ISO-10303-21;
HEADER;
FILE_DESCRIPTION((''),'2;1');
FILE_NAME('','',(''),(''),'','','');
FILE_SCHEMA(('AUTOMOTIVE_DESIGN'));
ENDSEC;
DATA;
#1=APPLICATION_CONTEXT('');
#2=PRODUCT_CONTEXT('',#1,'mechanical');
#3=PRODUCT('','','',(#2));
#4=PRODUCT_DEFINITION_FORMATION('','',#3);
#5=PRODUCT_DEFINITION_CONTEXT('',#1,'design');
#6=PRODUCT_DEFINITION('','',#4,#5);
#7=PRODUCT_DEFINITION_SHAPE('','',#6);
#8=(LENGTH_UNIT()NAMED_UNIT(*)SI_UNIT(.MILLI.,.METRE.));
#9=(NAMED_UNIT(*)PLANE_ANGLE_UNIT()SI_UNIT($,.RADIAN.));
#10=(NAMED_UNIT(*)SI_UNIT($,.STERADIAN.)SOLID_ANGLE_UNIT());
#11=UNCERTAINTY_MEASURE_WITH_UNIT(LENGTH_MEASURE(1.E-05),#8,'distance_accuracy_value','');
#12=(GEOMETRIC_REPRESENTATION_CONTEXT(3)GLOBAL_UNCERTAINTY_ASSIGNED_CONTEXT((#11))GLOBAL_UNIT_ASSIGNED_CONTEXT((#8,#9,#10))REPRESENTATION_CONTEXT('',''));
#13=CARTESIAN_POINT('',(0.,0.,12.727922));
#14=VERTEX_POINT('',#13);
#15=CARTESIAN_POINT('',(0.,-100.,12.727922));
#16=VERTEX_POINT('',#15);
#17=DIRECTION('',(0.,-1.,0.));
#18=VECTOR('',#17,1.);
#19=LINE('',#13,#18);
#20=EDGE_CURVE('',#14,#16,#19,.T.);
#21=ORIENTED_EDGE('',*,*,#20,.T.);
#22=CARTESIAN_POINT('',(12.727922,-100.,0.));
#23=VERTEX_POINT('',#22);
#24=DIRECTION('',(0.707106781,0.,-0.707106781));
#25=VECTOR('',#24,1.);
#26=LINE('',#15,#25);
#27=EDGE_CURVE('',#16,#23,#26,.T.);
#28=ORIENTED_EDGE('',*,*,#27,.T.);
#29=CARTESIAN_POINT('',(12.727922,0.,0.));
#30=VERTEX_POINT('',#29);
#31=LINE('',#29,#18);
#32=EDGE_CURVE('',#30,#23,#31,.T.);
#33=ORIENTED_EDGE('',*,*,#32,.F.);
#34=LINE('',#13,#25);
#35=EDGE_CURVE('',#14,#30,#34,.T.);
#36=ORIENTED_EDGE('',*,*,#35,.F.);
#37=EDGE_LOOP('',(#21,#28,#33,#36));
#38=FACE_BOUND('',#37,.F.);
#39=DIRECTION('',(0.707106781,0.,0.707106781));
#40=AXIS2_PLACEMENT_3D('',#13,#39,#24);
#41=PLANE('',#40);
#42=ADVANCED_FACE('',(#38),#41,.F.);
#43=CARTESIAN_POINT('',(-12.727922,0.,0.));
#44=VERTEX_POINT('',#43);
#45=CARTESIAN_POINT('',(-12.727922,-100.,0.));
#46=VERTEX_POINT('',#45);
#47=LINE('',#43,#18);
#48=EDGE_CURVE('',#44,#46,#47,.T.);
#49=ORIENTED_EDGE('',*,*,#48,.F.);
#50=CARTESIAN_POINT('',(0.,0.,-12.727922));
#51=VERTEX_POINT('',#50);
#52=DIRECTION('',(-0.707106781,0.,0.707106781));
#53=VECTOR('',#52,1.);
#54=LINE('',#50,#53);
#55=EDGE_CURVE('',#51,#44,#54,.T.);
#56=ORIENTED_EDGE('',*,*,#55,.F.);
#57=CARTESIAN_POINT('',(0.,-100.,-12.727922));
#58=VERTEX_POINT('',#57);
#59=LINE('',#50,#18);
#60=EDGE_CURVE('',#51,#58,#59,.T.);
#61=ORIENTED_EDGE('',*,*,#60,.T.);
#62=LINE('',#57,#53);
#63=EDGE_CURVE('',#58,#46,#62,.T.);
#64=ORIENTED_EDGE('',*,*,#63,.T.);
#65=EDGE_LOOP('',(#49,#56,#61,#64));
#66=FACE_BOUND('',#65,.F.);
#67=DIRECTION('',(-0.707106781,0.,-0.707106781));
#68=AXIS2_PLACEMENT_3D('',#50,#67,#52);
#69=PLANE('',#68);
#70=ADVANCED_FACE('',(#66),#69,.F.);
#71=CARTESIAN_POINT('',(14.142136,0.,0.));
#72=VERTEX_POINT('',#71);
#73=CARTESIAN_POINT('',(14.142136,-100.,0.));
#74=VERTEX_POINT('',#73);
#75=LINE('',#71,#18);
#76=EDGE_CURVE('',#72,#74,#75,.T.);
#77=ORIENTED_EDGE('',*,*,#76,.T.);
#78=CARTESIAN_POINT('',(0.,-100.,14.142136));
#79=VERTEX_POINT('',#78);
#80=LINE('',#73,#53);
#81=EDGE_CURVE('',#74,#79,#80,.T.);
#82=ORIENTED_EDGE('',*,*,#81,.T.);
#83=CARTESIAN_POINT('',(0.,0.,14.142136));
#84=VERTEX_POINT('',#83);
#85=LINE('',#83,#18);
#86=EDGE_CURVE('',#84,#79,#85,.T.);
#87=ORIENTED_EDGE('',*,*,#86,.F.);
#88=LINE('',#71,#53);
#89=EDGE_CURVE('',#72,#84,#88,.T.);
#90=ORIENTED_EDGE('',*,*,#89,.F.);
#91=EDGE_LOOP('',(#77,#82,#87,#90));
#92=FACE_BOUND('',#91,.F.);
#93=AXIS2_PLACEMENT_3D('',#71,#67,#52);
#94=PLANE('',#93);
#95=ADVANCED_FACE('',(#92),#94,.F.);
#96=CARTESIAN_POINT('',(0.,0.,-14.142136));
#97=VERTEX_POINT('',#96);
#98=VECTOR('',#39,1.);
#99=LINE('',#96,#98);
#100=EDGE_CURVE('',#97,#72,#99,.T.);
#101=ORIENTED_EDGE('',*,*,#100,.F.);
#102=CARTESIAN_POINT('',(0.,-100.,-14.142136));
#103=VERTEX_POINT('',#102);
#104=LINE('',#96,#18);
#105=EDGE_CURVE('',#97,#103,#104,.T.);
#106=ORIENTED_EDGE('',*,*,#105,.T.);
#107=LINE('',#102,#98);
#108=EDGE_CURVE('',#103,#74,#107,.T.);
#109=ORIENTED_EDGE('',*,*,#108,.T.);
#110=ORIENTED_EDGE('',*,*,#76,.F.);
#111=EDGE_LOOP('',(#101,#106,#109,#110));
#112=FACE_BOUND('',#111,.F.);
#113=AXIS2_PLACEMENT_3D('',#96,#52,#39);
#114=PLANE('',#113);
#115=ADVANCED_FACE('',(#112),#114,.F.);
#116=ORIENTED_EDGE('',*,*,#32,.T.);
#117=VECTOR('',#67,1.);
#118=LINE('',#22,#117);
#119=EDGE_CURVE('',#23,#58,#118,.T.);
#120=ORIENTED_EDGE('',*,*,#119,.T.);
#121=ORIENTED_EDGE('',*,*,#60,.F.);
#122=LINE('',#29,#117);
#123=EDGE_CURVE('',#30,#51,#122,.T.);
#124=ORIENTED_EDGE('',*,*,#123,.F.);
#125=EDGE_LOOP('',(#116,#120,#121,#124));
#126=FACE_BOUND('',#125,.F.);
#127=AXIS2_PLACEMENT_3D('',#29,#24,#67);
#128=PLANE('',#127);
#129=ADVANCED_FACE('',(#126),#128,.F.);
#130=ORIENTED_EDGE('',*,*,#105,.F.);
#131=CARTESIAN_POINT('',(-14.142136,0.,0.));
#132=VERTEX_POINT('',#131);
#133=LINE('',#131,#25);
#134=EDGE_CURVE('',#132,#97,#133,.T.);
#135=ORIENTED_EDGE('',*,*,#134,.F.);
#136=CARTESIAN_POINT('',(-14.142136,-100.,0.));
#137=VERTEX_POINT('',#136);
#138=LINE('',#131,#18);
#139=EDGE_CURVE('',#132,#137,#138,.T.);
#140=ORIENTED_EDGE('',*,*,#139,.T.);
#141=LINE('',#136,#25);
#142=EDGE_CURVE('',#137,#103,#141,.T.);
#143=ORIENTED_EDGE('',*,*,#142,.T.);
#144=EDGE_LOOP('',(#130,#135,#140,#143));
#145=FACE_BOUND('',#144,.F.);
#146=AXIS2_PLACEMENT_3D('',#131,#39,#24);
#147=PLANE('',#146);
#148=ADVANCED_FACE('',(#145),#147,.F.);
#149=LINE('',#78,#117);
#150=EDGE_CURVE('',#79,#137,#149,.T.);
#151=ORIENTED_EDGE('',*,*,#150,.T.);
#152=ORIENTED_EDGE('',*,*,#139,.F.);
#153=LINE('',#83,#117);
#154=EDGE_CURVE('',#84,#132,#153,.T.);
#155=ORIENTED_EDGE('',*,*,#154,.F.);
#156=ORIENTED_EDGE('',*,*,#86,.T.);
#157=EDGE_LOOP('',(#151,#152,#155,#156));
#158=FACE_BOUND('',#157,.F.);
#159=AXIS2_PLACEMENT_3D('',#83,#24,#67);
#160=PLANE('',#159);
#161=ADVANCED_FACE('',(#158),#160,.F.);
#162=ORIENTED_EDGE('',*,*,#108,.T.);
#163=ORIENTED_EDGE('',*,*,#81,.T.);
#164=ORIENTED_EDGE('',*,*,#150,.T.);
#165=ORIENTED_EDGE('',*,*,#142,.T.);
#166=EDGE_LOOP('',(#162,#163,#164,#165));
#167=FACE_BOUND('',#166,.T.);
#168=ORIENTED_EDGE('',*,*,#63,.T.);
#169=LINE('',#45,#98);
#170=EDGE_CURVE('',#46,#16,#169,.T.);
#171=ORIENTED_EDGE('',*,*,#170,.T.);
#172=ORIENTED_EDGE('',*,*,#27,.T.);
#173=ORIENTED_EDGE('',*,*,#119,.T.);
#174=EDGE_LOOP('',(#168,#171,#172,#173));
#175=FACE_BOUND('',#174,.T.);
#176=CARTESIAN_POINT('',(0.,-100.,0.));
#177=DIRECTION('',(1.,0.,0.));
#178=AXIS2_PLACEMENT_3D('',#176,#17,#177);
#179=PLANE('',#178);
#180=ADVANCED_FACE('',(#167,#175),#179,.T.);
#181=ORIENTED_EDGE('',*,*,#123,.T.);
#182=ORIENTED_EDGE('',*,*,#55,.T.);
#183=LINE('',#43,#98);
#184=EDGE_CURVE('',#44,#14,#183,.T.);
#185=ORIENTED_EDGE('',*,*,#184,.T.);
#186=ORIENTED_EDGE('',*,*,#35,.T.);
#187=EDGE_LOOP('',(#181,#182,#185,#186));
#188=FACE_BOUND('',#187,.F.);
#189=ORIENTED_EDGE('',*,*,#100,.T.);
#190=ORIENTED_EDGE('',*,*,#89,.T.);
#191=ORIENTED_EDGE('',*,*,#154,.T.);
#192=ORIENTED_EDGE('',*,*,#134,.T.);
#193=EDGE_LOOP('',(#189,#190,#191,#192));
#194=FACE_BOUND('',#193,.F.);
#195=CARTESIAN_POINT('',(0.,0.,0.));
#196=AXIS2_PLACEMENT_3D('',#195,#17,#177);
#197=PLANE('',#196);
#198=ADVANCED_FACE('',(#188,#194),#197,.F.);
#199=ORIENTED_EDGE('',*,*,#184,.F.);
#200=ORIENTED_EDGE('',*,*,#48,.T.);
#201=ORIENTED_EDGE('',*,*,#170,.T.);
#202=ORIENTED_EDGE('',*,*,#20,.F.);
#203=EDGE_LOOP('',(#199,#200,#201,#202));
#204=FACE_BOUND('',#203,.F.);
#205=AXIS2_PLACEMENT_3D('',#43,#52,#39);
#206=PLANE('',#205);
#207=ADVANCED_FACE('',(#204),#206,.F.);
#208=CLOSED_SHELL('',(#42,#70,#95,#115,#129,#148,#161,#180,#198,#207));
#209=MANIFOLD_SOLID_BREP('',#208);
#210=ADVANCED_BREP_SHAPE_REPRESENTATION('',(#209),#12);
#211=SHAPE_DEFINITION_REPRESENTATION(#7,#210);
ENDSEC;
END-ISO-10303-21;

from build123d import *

# Parameters (mm, degrees)
F1_DEPTH = 100


with BuildPart() as f1:
    # F0 (on Front) → F1 (new body)
    with BuildSketch(Plane.XZ):
        Polygon((14.142136, 0), (0, 14.142136), (-14.142136, 0), (0, -14.142136), align=None)
        Polygon((0, 12.727922), (12.727922, 0), (0, -12.727922), (-12.727922, 0), align=None, mode=Mode.SUBTRACT)
    extrude(amount=F1_DEPTH)


solid = f1.part
